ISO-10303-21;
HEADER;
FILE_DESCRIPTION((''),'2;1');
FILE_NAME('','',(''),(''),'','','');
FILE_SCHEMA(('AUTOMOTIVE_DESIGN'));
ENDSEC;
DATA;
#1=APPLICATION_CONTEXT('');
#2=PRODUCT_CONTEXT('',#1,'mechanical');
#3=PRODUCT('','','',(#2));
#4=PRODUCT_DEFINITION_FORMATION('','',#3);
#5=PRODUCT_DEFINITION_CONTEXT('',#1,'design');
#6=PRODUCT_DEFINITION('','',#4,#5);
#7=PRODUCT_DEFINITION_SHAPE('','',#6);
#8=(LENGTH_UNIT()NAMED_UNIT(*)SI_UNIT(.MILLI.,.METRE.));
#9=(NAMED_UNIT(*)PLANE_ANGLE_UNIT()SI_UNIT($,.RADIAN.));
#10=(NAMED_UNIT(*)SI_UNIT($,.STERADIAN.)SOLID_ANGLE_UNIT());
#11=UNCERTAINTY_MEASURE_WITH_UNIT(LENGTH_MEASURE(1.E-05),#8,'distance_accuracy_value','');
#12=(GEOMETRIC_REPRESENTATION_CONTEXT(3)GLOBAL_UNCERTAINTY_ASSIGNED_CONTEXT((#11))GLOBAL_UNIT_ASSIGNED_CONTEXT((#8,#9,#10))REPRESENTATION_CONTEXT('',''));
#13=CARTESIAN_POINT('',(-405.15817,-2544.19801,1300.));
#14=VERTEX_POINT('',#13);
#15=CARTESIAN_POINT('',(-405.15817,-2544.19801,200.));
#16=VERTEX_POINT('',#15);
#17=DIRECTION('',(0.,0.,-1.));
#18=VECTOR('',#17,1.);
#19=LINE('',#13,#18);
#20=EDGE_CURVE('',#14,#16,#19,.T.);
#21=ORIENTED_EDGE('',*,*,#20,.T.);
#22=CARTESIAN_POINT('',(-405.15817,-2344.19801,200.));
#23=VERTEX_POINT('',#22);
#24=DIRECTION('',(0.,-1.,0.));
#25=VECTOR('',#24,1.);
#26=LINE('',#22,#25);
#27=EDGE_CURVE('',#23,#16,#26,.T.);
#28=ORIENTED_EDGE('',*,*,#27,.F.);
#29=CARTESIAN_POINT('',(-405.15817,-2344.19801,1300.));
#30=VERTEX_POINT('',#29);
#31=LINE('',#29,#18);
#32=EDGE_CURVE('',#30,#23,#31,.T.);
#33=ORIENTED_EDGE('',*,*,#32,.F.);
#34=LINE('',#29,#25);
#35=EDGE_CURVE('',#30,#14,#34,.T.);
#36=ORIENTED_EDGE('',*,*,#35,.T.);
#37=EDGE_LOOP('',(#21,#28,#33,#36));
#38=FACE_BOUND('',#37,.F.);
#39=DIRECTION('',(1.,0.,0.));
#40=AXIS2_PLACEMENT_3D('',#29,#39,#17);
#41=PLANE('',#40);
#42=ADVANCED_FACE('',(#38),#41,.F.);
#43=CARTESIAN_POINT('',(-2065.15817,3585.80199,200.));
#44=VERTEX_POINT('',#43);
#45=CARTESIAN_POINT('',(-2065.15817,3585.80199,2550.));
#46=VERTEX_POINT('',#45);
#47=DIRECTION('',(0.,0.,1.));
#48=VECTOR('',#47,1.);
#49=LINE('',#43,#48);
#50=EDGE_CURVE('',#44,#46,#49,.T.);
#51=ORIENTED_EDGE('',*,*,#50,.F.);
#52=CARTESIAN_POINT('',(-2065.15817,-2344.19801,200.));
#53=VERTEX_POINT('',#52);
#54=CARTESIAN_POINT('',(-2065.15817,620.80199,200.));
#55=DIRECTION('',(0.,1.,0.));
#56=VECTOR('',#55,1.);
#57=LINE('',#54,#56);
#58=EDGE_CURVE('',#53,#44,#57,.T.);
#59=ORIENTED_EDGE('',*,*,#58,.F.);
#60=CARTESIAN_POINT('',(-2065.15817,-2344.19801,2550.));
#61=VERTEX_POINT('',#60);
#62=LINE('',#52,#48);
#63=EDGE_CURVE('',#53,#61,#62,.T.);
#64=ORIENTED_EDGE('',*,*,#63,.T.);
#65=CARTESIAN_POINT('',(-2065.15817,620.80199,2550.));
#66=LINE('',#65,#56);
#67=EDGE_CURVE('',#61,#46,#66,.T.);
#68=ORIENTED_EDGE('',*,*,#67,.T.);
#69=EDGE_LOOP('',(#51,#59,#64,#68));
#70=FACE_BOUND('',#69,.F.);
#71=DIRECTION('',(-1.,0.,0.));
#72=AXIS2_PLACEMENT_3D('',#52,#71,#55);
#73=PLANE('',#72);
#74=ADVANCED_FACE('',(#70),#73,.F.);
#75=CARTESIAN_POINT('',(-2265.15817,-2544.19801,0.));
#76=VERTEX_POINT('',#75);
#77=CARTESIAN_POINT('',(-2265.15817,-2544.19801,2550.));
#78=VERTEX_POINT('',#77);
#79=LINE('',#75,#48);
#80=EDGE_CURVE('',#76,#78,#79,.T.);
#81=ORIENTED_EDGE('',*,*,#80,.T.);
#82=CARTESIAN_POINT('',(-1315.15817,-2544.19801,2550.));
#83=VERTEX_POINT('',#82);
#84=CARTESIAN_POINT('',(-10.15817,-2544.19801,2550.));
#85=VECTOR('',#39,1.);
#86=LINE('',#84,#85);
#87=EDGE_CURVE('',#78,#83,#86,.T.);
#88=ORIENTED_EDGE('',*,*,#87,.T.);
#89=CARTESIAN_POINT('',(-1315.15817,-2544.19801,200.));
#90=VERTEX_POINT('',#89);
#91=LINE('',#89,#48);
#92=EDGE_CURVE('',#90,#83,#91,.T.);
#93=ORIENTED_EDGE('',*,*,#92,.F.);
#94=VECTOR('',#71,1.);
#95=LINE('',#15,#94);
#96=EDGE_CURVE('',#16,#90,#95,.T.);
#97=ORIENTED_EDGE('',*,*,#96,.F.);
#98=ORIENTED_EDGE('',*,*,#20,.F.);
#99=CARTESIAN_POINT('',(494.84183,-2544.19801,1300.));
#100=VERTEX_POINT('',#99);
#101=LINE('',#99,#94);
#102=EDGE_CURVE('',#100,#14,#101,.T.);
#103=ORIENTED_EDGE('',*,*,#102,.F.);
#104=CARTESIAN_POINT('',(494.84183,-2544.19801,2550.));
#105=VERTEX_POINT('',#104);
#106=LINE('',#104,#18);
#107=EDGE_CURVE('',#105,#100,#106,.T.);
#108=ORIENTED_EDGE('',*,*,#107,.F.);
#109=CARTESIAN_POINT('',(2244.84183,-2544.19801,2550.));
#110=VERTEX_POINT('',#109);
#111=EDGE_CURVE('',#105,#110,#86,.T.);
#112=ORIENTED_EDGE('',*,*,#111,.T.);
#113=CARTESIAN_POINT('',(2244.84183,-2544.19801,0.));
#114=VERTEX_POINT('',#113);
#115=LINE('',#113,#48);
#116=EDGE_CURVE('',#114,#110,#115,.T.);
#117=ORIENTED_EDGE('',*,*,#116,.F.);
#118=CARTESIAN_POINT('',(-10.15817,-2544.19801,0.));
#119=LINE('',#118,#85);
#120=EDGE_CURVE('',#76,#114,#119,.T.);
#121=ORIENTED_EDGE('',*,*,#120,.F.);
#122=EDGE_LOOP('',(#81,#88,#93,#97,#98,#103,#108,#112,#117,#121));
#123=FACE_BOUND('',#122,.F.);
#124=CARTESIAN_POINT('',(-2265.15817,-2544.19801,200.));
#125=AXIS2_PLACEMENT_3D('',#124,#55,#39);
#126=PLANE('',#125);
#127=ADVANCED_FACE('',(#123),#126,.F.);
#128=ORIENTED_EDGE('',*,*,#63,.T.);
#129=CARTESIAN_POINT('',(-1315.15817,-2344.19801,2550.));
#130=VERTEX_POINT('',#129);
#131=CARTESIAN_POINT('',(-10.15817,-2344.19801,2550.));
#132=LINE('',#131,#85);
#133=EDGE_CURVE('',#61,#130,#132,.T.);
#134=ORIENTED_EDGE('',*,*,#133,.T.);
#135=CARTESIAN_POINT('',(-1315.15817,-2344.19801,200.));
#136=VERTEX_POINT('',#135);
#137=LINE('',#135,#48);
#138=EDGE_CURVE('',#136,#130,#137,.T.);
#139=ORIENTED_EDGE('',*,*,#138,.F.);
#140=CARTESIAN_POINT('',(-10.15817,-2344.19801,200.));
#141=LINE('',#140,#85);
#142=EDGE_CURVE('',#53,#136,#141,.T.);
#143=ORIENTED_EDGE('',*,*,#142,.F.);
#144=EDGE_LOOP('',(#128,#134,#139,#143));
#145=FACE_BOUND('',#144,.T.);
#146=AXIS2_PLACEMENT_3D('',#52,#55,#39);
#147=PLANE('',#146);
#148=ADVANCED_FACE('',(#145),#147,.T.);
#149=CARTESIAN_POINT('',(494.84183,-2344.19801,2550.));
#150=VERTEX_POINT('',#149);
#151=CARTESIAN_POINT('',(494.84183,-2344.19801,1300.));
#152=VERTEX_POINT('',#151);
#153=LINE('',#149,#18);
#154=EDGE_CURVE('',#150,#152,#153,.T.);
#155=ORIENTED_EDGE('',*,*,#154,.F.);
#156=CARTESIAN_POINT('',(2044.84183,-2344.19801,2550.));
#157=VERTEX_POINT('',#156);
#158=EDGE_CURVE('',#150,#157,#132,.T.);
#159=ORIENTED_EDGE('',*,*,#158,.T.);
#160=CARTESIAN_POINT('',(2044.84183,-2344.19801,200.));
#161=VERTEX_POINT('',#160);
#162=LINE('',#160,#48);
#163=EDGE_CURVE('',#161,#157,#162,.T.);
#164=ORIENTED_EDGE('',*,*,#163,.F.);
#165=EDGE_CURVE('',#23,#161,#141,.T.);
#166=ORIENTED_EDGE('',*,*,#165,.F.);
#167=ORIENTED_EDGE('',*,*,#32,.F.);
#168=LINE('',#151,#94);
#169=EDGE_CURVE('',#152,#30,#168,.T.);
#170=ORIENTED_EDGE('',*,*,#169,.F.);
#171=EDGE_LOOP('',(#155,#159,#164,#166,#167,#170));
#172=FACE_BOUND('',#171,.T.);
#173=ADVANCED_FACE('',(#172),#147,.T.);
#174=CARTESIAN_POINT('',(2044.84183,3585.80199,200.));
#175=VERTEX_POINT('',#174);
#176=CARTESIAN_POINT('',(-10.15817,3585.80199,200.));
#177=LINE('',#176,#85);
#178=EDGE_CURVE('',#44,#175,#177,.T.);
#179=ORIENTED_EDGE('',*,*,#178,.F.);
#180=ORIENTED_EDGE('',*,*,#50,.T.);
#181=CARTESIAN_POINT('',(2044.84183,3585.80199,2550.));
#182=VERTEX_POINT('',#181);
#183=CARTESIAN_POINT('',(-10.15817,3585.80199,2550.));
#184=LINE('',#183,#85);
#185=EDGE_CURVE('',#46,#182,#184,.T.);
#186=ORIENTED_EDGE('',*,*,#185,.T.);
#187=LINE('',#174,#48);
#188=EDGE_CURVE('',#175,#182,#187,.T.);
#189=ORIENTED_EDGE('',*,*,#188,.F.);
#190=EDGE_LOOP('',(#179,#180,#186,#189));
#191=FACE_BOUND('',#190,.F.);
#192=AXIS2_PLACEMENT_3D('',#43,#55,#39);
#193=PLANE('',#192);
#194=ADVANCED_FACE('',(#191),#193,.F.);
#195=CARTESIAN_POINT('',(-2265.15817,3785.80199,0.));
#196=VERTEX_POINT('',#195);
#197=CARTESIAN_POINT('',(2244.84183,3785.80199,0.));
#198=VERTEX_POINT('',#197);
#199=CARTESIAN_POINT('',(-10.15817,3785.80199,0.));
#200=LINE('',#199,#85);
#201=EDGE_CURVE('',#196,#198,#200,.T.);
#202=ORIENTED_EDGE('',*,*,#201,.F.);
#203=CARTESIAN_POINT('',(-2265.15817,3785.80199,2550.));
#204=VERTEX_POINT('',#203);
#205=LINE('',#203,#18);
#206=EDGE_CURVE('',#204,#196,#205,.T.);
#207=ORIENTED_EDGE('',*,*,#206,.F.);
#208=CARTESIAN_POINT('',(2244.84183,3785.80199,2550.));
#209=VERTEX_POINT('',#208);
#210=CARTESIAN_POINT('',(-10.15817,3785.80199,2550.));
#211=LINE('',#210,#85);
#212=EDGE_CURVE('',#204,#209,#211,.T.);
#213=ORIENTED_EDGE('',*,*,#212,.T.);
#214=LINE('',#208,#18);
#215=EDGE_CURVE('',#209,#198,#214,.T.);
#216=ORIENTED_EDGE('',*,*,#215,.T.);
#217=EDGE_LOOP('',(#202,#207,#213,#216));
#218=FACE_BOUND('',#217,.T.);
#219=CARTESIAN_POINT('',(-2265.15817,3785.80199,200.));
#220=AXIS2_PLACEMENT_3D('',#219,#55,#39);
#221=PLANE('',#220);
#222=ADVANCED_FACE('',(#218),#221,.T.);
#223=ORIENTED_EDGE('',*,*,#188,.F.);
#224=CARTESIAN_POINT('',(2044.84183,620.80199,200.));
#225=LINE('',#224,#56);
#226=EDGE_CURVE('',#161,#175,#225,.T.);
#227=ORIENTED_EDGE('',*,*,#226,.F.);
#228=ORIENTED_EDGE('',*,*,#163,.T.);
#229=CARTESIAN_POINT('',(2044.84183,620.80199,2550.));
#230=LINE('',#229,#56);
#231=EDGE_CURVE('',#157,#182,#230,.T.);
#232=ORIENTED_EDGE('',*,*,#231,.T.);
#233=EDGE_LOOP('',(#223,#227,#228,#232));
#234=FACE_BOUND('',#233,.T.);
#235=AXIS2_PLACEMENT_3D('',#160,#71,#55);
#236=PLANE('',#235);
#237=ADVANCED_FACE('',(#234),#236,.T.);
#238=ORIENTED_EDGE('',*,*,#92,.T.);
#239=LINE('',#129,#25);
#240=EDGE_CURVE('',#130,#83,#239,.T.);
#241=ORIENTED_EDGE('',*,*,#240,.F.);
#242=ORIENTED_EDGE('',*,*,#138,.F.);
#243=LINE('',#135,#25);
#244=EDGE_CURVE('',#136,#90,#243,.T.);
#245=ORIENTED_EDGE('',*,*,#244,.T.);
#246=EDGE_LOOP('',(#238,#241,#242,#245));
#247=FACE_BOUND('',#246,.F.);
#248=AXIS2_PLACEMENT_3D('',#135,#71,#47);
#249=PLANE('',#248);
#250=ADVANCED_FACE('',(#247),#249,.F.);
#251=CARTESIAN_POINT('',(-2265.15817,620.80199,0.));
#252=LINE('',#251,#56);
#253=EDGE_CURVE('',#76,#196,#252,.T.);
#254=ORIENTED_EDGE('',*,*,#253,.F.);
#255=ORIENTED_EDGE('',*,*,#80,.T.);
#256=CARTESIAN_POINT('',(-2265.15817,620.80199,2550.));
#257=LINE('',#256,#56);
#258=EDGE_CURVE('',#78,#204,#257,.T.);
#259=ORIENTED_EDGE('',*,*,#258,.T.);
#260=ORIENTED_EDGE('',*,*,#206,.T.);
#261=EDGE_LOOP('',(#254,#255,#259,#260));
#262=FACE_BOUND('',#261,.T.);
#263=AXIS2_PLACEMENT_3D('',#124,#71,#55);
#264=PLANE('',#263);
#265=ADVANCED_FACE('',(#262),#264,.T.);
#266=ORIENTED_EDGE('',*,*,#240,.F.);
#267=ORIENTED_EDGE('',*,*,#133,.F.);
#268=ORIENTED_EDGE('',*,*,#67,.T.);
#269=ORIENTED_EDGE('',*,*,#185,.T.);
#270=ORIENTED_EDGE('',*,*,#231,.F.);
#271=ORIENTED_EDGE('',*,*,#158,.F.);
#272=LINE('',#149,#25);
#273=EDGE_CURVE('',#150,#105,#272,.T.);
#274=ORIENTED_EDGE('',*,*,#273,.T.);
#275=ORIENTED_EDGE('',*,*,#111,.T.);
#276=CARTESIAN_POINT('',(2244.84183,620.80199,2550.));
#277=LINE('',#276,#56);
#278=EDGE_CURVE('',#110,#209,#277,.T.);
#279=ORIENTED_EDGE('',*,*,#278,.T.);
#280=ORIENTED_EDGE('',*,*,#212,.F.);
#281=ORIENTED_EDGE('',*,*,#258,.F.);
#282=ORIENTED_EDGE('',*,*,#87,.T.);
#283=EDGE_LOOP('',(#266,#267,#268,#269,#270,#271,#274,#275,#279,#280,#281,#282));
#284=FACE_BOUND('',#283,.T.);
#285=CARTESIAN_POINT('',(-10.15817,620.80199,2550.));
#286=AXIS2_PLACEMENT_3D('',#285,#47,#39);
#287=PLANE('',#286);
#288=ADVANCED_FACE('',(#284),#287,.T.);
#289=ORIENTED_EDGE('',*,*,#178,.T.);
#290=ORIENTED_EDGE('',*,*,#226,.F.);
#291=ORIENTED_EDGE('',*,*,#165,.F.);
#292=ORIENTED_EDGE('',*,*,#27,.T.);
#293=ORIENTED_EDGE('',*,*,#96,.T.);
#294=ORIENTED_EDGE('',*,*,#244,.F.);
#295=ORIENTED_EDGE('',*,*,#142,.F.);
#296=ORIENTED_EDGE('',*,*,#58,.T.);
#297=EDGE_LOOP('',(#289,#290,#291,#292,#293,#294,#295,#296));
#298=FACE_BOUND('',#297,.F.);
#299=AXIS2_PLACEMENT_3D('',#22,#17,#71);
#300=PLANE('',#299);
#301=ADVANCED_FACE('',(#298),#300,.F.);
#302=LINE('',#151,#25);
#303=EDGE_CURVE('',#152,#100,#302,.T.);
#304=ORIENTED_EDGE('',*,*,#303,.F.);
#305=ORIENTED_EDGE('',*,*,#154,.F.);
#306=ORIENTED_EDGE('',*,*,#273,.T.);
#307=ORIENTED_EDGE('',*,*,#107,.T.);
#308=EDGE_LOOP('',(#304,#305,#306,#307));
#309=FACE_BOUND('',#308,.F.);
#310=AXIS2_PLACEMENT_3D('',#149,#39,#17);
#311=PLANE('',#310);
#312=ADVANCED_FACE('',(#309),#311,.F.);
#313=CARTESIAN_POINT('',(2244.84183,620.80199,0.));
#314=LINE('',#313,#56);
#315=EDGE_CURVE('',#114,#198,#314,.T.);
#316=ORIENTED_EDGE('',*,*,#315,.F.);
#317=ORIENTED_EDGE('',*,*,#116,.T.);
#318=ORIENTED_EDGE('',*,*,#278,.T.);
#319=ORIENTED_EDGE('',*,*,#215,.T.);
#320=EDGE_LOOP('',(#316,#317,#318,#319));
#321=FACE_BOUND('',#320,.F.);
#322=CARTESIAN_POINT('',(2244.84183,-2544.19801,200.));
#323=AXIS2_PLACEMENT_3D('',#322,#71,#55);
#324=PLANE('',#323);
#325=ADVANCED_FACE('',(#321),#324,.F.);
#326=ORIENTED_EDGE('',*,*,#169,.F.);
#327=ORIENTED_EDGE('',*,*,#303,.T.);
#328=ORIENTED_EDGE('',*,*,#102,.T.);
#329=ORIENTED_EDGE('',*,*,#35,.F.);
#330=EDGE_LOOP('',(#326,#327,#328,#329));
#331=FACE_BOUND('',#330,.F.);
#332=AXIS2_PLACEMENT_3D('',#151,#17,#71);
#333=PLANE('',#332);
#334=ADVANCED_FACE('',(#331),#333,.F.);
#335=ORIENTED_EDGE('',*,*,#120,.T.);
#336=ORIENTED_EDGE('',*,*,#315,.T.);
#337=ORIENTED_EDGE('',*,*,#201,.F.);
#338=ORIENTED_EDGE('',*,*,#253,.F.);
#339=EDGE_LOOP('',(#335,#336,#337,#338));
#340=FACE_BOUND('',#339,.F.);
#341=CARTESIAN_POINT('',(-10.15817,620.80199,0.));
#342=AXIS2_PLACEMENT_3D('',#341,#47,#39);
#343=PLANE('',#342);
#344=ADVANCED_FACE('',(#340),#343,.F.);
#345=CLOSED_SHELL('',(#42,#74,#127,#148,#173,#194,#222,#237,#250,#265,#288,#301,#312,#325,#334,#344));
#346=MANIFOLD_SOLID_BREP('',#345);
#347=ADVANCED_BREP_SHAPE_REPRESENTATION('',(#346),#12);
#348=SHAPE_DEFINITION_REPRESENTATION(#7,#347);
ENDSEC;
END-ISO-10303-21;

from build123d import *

# Parameters (mm, degrees)
F0_W     = 4510
F0_H     = 6330
F1_DEPTH = 200
F2_W     = 4510
F2_H     = 6330
F2_W_2   = 4110
F2_H_2   = 5930
F3_DEPTH = 2350
F5_DEPTH = 200


with BuildPart() as f1:
    # F0 (on Top) → F1 (new body)
    with BuildSketch(Plane.XY):
        with Locations((-10.15817, 620.80199)):
            Rectangle(F0_W, F0_H)
    extrude(amount=F1_DEPTH)

    # F2 (on face) → F3 (join)
    with BuildSketch(Plane.XY.offset(200)):
        with Locations((-10.15817, 620.80199)):
            Rectangle(F2_W, F2_H)
        with Locations((-10.15817, 620.80199)):
            Rectangle(F2_W_2, F2_H_2, mode=Mode.SUBTRACT)
    extrude(amount=F3_DEPTH)

    # F4 (on face) → F5 (cut, through all)
    with BuildSketch(Plane(origin=(0, -2344.19801, 0), x_dir=(-1, 0, 0), z_dir=(0, 1, 0))):
        Polygon((405.15817, 2550), (-494.84183, 2550), (-494.84183, 1300), (405.15817, 1300), (405.15817, 200), (1315.15817, 200), (1315.15817, 2550), align=None)
    extrude(amount=-F5_DEPTH, mode=Mode.SUBTRACT)


solid = f1.part
